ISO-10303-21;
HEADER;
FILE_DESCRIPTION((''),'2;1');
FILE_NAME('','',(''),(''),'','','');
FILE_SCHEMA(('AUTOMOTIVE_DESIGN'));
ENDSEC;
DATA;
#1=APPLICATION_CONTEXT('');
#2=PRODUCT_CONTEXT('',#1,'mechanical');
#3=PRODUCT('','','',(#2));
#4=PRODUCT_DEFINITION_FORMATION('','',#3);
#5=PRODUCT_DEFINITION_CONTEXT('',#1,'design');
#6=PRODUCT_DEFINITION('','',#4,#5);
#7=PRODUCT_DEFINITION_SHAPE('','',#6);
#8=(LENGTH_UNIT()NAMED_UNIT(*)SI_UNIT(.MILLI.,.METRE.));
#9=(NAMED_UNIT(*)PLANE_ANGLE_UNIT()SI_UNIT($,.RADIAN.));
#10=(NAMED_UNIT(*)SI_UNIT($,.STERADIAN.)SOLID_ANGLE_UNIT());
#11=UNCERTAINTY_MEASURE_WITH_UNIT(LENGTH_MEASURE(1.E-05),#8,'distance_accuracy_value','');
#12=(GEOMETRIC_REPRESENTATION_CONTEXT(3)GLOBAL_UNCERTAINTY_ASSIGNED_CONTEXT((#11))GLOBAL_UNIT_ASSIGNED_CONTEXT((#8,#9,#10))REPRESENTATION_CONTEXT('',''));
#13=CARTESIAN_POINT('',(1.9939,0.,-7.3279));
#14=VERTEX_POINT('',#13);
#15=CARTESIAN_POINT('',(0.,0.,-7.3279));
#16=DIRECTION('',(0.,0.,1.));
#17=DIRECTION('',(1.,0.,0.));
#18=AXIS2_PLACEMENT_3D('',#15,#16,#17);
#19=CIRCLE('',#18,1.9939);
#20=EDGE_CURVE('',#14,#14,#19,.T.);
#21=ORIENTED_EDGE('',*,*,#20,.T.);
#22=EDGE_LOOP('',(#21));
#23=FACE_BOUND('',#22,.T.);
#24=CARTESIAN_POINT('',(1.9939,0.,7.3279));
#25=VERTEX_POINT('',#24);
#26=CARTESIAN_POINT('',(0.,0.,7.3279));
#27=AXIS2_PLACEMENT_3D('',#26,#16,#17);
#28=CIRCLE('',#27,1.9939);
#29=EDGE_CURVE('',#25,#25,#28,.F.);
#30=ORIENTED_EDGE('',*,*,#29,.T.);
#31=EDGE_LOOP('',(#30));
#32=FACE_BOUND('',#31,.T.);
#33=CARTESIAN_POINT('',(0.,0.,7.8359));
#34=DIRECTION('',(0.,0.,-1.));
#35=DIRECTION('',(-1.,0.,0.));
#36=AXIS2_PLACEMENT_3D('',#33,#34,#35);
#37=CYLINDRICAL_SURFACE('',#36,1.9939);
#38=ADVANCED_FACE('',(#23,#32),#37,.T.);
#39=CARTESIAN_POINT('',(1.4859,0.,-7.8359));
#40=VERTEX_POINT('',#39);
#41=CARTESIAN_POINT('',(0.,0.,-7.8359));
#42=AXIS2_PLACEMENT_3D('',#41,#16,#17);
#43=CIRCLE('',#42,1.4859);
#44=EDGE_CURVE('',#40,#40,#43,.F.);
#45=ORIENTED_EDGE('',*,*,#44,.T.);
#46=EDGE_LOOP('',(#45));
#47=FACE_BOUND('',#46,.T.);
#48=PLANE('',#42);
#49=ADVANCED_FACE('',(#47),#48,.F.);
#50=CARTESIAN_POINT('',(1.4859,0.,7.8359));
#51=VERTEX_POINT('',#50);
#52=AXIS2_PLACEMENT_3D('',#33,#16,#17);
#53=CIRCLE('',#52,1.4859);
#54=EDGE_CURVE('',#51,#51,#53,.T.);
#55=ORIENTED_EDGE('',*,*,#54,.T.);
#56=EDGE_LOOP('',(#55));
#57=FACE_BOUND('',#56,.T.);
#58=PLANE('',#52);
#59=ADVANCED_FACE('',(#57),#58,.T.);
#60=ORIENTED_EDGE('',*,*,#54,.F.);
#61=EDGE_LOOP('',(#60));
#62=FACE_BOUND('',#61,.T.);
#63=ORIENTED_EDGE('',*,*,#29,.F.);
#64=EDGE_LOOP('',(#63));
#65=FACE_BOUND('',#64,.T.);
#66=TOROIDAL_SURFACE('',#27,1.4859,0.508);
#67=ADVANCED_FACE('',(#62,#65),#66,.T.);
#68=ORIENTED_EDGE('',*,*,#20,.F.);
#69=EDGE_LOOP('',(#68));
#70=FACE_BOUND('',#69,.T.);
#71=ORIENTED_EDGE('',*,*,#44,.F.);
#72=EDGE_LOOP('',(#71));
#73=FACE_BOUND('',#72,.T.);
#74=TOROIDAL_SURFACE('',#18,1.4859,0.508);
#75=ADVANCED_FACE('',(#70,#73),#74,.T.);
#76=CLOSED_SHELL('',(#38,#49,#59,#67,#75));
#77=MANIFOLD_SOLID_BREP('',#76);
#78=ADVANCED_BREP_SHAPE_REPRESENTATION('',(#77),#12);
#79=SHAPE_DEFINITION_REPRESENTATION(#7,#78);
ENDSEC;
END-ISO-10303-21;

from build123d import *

# Parameters (mm, degrees)
SKETCH1_R          = 1.9939
BASE_EXTRUDE_DEPTH = 7.8359
FILLET1_R          = 0.508


with BuildPart() as part:
    # Sketch1 → Base-Extrude (new body, symmetric)
    with BuildSketch(Plane.XY):
        Circle(SKETCH1_R)
    extrude(amount=BASE_EXTRUDE_DEPTH, both=True)

    # Fillet1
    fillet1_edges = [part.edges().sort_by_distance(p)[0] for p in [
        (-1.9939, 0, -7.8359),
        (-1.9939, 0, 7.8359),
    ]]
    fillet(fillet1_edges, radius=FILLET1_R)


solid = part.part
